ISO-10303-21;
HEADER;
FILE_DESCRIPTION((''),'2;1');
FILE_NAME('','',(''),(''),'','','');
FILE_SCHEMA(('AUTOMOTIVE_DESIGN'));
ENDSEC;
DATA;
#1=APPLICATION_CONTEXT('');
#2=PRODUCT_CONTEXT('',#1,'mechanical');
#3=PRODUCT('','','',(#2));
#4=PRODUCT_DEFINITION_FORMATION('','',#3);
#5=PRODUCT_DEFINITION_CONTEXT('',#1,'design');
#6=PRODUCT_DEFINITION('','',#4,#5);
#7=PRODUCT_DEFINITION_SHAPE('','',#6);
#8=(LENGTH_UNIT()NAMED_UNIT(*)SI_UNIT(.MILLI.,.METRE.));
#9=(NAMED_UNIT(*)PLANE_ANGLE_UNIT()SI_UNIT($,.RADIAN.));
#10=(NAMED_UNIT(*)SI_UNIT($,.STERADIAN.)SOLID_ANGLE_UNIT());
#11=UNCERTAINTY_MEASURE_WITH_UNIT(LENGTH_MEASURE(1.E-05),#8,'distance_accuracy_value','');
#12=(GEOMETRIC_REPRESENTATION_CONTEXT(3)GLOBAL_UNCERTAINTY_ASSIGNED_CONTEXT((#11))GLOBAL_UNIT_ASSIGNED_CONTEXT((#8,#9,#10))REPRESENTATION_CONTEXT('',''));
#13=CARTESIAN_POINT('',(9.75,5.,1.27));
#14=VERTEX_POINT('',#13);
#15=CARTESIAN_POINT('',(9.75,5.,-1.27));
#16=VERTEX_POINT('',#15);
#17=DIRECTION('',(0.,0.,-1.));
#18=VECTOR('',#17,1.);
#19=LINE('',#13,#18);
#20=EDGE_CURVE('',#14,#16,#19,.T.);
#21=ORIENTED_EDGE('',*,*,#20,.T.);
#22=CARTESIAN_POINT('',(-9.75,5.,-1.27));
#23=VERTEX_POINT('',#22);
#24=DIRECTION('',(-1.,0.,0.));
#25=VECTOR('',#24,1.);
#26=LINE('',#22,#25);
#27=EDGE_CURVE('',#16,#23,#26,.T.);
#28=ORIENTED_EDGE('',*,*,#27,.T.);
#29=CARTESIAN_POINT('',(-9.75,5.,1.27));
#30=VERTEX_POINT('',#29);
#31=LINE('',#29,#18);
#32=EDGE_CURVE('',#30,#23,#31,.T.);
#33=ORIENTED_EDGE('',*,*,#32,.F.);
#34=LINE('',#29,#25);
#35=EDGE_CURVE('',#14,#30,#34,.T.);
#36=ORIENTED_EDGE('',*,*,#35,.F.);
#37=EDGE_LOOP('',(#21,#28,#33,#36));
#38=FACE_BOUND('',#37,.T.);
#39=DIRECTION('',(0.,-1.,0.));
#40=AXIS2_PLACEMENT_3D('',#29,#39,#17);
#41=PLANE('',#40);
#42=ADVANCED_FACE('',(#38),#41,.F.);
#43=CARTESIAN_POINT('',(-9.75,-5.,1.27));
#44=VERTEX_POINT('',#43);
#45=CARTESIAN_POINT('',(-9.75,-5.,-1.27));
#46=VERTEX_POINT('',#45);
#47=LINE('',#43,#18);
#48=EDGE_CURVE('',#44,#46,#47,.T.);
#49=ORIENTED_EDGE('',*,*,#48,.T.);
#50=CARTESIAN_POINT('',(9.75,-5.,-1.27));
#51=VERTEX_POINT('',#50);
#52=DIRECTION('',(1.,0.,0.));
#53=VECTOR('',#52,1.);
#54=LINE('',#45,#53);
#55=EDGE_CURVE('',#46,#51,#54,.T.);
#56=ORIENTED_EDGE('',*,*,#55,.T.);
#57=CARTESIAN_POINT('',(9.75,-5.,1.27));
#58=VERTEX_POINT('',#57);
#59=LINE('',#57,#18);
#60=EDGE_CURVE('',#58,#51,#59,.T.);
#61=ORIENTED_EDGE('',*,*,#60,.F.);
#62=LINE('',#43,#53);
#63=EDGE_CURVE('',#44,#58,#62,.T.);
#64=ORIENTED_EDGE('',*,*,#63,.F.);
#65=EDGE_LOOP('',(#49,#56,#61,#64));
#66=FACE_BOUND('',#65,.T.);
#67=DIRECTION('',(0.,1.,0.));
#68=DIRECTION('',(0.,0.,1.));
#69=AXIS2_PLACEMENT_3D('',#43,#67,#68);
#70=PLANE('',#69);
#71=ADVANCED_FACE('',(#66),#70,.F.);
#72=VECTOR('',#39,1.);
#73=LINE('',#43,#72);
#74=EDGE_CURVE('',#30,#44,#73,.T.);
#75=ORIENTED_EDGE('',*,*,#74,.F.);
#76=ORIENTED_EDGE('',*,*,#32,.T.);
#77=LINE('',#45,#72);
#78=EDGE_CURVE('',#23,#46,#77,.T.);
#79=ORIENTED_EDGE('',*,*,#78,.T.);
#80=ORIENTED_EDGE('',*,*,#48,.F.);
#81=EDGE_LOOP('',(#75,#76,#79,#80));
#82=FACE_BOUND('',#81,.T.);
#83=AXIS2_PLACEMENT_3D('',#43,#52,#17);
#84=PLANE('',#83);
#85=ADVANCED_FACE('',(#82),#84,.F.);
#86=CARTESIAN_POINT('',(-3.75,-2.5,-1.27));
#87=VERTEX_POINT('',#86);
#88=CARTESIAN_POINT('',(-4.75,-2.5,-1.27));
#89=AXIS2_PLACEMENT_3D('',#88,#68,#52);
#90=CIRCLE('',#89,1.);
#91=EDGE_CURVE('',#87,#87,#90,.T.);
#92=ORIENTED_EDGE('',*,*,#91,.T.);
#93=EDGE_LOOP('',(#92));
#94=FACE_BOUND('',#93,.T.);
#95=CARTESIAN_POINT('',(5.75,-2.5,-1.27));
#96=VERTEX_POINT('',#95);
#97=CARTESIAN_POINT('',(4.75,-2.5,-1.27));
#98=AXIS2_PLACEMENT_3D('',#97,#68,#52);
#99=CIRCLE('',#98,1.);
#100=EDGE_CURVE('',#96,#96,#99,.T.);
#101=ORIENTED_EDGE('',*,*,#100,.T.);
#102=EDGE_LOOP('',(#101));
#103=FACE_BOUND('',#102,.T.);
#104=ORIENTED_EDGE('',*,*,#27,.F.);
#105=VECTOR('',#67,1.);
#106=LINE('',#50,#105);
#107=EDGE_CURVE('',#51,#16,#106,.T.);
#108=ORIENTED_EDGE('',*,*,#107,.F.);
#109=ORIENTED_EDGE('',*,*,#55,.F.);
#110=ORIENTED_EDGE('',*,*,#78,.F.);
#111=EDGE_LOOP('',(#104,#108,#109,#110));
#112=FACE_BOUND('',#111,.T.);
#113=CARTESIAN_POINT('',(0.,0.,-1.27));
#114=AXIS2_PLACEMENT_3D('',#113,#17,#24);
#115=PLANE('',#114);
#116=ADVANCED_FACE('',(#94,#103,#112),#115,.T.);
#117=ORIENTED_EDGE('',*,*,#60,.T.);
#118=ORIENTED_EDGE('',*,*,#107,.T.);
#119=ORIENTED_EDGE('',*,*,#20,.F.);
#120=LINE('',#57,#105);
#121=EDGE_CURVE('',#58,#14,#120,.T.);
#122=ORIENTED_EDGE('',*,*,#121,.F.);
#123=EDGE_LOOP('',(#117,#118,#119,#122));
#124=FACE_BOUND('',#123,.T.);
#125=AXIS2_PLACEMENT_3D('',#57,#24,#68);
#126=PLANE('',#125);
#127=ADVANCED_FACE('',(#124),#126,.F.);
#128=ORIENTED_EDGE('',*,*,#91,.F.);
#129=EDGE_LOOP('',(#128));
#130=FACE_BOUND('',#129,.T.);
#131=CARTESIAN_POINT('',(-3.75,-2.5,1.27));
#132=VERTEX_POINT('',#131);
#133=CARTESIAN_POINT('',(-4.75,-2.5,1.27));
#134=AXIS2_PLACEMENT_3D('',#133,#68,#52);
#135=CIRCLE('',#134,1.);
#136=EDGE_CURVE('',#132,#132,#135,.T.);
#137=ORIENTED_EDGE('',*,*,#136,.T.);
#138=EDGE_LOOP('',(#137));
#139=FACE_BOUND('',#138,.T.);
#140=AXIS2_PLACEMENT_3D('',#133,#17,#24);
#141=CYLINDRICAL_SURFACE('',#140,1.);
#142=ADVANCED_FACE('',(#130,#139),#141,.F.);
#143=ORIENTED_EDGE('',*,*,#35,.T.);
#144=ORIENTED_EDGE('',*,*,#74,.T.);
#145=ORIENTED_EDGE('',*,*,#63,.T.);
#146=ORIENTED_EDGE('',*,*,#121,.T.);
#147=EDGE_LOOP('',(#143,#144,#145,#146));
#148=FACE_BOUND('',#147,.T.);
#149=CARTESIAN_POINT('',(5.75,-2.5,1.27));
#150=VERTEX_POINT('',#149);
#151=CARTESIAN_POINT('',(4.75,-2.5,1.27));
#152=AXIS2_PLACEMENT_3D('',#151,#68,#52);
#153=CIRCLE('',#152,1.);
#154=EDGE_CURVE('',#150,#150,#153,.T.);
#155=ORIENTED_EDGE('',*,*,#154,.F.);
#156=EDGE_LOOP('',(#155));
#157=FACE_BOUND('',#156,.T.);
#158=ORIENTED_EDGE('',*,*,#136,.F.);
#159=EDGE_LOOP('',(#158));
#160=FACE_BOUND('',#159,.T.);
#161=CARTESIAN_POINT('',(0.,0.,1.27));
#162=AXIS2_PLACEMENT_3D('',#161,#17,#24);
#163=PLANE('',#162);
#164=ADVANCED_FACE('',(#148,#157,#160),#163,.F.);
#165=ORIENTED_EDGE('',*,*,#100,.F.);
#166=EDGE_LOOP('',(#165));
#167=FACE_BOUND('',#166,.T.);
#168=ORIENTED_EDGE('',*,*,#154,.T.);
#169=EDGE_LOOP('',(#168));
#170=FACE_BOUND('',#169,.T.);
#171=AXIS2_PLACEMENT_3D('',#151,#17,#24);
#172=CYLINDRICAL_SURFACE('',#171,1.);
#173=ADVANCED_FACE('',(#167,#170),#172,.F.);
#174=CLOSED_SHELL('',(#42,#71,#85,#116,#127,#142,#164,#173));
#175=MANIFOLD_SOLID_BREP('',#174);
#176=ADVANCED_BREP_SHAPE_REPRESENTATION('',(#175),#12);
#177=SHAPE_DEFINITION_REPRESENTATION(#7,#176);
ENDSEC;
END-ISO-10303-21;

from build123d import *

# Parameters (mm, degrees)
SKETCH2_W           = 19.5
SKETCH2_H           = 10
SKETCH2_R           = 1
BOSS_EXTRUDE1_DEPTH = 1.27


with BuildPart() as part:
    # Sketch2 → Boss-Extrude1 (new, symmetric)
    with BuildSketch(Plane.XY):
        Rectangle(SKETCH2_W, SKETCH2_H)
        with Locations((-4.75, -2.5)):
            Circle(SKETCH2_R, mode=Mode.SUBTRACT)
        with Locations((4.75, -2.5)):
            Circle(SKETCH2_R, mode=Mode.SUBTRACT)
    extrude(amount=BOSS_EXTRUDE1_DEPTH, both=True)


solid = part.part
